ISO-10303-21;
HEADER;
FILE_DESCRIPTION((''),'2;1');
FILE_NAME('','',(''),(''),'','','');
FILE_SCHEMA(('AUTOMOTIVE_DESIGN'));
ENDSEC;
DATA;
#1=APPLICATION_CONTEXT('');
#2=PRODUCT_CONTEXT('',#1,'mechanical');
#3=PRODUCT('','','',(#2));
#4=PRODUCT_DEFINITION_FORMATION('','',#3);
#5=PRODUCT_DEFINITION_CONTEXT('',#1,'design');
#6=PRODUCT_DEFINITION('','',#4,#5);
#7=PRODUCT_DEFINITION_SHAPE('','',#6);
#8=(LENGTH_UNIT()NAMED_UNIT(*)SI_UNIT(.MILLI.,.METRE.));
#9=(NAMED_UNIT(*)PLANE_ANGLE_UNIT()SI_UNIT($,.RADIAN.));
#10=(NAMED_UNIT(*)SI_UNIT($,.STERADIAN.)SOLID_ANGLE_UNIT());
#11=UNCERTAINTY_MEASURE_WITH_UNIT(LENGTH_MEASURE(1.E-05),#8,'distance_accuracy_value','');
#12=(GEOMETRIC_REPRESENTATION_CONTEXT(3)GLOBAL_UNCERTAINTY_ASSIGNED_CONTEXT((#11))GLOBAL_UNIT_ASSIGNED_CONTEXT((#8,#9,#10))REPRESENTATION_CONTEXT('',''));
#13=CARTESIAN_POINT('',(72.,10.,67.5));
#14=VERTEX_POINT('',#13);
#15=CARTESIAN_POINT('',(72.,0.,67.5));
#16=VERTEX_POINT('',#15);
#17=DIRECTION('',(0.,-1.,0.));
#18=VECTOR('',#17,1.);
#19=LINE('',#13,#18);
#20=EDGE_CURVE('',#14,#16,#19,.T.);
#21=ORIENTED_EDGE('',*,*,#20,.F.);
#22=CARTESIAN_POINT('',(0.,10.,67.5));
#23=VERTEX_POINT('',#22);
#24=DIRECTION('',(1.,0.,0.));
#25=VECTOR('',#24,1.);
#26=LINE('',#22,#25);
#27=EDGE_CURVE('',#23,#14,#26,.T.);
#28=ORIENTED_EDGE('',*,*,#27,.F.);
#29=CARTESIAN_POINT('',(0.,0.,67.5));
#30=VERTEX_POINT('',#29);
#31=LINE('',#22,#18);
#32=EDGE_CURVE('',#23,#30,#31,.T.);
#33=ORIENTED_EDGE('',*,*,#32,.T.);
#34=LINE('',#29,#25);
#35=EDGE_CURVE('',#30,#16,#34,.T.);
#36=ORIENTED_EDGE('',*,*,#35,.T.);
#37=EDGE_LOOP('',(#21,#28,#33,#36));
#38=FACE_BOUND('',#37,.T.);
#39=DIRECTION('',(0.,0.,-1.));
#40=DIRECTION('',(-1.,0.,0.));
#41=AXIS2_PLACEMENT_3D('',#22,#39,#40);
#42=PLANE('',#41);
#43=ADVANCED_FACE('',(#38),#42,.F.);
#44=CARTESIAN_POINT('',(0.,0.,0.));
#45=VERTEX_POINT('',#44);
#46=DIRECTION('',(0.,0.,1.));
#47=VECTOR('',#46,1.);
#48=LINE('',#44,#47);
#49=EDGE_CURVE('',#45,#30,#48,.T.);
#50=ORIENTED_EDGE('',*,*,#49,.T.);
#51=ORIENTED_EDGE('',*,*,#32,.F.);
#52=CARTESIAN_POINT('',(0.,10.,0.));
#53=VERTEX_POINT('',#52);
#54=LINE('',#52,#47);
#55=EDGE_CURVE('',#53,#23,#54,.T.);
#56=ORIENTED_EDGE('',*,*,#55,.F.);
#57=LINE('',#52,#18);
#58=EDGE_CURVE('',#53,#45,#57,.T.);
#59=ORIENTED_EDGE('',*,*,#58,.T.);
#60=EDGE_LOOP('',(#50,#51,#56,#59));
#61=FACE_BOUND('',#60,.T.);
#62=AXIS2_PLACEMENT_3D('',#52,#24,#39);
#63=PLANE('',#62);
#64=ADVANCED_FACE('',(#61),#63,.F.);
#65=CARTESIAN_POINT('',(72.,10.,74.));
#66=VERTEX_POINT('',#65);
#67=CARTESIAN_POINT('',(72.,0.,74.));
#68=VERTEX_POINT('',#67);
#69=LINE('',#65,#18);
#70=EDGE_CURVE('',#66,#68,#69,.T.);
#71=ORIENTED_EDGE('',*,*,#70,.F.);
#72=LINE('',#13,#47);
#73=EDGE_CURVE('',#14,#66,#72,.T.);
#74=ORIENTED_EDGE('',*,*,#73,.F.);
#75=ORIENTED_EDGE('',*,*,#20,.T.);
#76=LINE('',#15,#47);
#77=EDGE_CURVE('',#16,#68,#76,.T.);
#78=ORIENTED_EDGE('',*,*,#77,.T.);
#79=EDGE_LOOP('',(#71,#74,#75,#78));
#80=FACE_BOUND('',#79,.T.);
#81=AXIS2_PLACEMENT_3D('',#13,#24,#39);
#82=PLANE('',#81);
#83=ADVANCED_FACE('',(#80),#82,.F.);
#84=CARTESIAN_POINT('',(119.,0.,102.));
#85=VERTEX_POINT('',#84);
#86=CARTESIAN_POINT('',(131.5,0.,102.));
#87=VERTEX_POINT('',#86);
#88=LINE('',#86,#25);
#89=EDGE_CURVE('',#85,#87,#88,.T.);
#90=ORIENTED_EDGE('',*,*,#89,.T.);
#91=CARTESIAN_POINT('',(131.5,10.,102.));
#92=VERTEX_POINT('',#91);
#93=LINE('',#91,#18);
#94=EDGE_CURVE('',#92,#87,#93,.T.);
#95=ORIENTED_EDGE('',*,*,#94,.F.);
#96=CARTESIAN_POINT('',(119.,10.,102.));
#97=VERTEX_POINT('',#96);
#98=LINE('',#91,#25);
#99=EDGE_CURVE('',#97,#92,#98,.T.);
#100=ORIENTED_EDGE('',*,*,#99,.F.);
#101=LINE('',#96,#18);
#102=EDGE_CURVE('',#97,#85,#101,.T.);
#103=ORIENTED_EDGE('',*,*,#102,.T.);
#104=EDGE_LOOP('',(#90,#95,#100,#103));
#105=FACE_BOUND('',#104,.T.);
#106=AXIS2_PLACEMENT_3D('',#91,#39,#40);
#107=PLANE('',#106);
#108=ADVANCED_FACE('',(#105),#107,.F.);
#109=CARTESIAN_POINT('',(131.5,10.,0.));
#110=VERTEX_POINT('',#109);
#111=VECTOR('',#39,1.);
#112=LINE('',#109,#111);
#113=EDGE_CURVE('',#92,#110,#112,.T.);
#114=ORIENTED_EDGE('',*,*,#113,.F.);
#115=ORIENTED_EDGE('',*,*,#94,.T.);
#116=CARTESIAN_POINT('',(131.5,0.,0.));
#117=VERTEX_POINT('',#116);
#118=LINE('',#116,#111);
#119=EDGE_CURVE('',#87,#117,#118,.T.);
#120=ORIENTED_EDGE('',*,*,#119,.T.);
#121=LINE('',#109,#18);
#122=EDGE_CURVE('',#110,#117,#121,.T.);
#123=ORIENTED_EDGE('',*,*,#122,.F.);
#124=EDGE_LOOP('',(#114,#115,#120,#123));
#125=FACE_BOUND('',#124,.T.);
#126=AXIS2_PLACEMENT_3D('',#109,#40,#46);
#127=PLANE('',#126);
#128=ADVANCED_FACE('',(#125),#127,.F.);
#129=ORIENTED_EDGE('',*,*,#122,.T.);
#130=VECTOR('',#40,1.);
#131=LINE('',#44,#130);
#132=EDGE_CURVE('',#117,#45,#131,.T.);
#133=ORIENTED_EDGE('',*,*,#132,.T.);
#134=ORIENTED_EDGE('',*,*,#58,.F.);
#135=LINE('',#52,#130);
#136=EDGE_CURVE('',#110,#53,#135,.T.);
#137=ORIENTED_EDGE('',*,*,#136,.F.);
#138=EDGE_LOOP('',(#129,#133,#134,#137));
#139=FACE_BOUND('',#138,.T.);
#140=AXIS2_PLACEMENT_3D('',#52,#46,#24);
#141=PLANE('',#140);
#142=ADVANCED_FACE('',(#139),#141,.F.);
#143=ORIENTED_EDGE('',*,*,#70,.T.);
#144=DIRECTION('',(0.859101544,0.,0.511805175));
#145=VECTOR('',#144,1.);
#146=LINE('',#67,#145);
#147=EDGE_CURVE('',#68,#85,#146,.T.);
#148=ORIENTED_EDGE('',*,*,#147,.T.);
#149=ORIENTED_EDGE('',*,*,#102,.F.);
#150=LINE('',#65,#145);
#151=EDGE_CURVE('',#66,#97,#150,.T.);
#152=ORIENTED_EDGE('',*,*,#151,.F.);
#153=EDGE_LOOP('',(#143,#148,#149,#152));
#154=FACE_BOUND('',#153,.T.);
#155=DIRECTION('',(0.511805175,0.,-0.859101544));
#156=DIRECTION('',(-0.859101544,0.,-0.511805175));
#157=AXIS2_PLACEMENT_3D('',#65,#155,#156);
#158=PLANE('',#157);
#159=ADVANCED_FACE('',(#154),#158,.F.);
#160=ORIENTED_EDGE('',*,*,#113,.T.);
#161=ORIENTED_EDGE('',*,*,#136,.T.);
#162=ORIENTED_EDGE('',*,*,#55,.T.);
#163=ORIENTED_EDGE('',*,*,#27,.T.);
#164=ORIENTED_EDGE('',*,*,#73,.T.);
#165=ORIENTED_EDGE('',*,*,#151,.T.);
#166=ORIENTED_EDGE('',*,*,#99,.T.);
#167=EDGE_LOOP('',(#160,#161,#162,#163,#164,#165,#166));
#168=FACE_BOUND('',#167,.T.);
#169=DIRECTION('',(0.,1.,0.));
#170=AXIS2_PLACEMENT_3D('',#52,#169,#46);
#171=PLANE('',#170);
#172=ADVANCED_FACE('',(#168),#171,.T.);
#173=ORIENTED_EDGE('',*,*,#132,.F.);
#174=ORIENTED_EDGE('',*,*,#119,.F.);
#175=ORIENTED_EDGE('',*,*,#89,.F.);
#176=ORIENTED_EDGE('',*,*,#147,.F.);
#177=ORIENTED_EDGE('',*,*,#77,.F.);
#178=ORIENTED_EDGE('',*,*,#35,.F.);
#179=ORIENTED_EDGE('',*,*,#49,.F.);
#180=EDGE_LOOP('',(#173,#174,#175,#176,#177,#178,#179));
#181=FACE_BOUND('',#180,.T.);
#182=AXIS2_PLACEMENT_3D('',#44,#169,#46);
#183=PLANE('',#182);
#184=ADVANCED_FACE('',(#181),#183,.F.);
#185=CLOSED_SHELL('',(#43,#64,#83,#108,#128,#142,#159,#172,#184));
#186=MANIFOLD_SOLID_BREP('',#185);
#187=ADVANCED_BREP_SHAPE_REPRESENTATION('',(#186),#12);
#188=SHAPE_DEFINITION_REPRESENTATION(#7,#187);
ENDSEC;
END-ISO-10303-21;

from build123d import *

# Parameters (mm, degrees)
BOSS_EXTRUDE1_DEPTH = 10


with BuildPart() as part:
    # PCB → Boss-Extrude1 (new body)
    with BuildSketch(Plane(origin=(0, 0, 0), x_dir=(1, 0, 0), z_dir=(0, 1, 0))):
        Polygon((0, 0), (131.5, 0), (131.5, -102), (119, -102), (72, -74), (72, -67.5), (0, -67.5), align=None)
    extrude(amount=BOSS_EXTRUDE1_DEPTH)


solid = part.part
